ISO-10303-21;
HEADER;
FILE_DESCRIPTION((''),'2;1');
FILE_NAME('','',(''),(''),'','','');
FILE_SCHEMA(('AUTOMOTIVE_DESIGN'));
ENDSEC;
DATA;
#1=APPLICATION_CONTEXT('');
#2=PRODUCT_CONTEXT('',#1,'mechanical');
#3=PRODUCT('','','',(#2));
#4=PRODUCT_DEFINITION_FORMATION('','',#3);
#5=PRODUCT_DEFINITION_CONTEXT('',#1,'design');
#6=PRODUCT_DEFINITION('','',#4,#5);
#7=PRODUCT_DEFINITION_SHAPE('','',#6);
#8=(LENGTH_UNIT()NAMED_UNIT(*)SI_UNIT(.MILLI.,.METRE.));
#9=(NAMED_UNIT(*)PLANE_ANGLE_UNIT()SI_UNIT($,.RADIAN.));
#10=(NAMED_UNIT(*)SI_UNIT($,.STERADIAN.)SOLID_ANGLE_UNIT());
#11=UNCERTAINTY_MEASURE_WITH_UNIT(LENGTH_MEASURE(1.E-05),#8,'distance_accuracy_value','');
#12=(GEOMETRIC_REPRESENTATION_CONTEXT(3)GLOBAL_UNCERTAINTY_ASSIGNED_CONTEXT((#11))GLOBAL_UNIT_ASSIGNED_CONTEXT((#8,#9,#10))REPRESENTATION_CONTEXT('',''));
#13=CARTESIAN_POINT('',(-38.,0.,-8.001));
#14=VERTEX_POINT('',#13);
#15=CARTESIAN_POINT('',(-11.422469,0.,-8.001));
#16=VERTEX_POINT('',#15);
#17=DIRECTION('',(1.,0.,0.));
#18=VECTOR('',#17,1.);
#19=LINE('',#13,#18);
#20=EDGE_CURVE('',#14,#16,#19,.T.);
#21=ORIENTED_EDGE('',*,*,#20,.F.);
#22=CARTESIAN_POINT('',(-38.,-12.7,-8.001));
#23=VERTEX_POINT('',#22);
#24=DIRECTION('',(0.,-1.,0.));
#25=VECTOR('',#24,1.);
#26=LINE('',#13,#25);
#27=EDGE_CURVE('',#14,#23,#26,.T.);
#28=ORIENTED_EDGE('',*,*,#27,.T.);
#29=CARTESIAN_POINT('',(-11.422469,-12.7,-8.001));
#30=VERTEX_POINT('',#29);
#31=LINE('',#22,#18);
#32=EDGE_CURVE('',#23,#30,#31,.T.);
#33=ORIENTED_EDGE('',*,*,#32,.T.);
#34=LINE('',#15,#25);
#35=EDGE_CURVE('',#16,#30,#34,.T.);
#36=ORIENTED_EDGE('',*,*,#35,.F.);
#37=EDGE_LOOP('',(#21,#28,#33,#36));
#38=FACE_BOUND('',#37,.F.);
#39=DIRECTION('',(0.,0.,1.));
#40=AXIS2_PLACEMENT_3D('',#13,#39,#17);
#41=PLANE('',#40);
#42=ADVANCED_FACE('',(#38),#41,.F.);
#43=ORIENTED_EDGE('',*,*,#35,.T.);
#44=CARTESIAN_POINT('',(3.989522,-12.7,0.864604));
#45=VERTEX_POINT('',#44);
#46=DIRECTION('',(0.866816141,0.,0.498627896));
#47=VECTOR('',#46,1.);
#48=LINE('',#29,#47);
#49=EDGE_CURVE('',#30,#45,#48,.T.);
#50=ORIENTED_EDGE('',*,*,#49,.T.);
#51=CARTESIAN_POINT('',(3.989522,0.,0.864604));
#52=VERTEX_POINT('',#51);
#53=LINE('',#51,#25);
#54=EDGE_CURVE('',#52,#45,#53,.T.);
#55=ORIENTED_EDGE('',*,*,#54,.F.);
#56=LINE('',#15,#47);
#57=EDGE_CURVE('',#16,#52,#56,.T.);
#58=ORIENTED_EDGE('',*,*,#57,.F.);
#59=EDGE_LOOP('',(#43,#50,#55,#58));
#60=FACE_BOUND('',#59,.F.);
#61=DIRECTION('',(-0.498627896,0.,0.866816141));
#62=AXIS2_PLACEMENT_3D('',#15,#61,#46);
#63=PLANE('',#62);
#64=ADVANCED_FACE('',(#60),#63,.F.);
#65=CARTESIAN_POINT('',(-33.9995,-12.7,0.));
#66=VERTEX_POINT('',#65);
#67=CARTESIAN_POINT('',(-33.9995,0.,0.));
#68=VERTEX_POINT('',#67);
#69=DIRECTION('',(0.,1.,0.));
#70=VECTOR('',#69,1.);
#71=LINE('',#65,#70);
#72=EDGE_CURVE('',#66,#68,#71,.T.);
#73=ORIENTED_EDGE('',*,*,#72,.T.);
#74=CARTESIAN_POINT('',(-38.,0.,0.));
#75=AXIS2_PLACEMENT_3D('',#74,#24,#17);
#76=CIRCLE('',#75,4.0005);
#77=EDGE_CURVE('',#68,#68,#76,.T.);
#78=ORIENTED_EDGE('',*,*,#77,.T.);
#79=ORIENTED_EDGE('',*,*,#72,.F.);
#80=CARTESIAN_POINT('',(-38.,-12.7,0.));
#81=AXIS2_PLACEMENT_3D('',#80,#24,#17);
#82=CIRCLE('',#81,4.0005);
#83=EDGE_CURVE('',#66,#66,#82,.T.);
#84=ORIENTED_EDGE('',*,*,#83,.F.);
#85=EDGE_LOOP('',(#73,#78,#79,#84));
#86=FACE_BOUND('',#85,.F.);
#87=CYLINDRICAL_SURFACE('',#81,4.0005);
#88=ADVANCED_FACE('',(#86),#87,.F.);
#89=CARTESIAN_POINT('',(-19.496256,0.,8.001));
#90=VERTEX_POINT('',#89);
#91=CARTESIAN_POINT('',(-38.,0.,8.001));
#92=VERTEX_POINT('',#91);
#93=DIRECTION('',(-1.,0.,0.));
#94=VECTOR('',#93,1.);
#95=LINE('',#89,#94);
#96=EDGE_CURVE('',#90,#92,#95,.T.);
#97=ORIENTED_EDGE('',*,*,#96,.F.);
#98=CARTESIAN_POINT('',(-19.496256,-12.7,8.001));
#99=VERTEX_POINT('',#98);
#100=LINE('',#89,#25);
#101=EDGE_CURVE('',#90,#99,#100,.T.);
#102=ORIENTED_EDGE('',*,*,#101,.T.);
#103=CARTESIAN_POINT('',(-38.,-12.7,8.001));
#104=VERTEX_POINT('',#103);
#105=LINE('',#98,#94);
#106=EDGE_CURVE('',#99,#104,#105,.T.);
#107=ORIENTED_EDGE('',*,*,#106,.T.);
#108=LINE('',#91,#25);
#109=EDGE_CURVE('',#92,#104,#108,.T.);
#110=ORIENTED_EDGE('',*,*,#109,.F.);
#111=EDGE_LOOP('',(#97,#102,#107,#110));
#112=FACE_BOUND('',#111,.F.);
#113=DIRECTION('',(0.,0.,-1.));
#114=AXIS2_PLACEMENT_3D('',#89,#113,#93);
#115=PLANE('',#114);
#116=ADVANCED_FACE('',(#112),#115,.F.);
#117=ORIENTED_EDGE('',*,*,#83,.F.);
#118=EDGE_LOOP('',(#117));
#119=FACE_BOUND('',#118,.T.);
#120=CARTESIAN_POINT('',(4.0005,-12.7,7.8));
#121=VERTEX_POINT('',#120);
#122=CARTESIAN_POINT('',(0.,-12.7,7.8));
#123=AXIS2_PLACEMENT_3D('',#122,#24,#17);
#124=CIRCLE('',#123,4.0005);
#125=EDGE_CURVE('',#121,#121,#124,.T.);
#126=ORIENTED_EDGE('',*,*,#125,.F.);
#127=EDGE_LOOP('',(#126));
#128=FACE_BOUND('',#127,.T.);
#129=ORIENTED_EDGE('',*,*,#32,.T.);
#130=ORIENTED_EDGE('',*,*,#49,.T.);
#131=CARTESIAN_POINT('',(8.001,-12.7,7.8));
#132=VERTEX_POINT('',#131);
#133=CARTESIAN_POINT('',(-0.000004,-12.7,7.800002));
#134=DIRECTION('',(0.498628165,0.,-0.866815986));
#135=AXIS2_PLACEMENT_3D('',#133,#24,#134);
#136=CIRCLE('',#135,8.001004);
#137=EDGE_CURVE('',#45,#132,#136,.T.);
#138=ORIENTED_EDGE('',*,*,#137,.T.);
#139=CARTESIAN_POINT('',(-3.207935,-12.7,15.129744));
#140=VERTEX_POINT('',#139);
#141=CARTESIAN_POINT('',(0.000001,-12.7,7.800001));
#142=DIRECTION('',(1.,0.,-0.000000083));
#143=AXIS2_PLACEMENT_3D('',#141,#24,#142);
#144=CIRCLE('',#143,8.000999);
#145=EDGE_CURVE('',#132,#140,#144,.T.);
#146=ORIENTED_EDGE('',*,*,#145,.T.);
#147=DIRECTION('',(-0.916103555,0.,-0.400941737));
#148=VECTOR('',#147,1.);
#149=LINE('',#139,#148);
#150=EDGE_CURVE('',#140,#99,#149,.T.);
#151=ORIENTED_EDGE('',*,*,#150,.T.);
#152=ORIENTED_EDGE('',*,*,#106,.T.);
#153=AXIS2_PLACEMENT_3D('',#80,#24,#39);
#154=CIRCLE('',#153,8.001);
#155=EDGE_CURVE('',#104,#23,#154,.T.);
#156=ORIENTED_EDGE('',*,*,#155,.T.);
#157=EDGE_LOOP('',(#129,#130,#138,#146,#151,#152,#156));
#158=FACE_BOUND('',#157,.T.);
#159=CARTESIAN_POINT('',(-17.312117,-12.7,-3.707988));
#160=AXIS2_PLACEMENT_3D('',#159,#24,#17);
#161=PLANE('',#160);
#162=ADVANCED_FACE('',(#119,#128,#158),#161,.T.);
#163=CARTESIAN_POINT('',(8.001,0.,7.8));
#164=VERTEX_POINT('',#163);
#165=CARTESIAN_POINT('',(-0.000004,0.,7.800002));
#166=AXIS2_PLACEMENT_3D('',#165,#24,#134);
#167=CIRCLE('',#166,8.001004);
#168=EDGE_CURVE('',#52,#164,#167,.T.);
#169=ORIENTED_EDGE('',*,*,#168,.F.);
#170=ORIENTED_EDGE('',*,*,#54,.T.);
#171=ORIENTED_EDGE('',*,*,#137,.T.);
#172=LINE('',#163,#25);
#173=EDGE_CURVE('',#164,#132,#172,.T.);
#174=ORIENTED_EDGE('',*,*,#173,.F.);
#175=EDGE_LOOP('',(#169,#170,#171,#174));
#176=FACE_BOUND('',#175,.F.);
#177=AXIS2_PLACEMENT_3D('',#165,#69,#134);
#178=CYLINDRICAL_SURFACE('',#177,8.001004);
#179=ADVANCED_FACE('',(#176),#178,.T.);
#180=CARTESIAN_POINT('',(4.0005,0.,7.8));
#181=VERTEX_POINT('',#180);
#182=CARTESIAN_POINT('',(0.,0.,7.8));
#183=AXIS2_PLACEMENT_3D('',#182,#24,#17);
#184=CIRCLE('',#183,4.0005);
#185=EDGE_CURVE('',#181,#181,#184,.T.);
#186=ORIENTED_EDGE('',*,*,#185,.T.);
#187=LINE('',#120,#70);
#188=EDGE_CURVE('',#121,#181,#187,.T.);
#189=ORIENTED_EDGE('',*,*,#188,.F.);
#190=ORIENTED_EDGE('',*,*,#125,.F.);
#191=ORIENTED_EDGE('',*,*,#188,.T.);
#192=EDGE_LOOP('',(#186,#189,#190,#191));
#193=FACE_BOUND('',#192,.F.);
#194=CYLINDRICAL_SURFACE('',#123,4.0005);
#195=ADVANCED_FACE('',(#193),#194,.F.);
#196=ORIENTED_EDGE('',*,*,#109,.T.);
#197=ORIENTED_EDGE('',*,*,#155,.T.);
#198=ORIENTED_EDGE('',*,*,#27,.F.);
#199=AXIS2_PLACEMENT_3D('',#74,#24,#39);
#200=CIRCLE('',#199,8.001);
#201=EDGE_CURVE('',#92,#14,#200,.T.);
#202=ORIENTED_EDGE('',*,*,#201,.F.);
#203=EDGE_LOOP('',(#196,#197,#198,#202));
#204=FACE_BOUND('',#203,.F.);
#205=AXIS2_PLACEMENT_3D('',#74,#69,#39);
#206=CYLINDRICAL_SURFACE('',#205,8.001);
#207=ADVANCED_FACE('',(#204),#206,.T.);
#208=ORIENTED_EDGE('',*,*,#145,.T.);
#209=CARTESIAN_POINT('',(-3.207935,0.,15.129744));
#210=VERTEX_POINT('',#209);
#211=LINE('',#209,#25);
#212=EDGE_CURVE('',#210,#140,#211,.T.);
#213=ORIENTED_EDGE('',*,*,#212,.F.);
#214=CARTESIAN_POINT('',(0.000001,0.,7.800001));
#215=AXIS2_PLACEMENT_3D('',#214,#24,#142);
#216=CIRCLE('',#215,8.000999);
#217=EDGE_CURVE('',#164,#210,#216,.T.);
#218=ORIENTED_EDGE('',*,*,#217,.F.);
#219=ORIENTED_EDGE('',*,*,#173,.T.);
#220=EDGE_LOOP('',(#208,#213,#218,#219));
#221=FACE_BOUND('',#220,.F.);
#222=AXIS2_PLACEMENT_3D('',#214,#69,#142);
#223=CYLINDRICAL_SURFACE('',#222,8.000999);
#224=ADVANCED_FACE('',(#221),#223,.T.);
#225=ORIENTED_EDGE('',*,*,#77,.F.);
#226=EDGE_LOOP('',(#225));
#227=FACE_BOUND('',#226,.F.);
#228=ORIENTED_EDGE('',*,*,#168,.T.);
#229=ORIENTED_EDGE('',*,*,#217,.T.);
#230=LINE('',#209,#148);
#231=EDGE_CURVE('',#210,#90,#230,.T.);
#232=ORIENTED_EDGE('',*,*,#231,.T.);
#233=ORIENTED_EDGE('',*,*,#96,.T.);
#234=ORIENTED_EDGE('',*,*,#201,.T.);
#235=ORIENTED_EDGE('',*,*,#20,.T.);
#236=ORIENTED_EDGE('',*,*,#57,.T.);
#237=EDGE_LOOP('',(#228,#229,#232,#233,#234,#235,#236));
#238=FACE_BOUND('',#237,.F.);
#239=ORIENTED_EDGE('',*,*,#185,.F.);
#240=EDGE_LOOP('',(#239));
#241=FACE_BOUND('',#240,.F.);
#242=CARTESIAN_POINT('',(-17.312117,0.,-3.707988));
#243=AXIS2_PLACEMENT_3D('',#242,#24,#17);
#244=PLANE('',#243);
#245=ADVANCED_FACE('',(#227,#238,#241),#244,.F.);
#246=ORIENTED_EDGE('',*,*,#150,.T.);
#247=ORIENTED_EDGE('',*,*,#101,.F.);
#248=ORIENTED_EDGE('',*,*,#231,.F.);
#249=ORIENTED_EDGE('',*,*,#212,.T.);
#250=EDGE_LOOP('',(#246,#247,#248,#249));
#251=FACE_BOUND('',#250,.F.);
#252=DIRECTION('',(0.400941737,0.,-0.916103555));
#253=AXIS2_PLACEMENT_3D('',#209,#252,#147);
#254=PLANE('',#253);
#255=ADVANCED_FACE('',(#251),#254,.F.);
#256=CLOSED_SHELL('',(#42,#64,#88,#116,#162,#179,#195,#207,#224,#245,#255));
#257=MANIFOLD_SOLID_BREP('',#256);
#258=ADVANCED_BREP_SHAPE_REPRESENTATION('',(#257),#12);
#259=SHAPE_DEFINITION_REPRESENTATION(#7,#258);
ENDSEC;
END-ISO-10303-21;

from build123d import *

# Parameters (mm, degrees)
F1_DEPTH = 12.7
F2_R     = 4.0005
F3_DEPTH = 12.7


with BuildPart() as f1:
    # F0 (on Front) → F1 (new body)
    with BuildSketch(Plane.XZ):
        with BuildLine():
            ThreePointArc((3.989522, 0.864604), (1.185338, -0.11271), (-1.782134, 0))
            Line((-1.782134, 0), (-29.999, 0))
            ThreePointArc((-29.999, 0), (-32.342439, -5.657561), (-38, -8.001))
            Line((-38, -8.001), (-11.422469, -8.001))
            Line((-11.422469, -8.001), (3.989522, 0.864604))
        make_face()
        with BuildLine():
            Line((-29.999, 0), (-1.782134, 0))
            ThreePointArc((-1.782134, 0), (-7.965707, 7.049325), (-3.207935, 15.129744))
            Line((-3.207935, 15.129744), (-19.496256, 8.001))
            Line((-19.496256, 8.001), (-38, 8.001))
            ThreePointArc((-38, 8.001), (-32.342439, 5.657561), (-29.999, 0))
        make_face()
        with BuildLine():
            ThreePointArc((-3.207935, 15.129744), (-7.965707, 7.049325), (-1.782134, 0))
            ThreePointArc((-1.782134, 0), (1.185338, -0.11271), (3.989522, 0.864604))
            ThreePointArc((3.989522, 0.864604), (6.925899, 3.794015), (8.001, 7.8))
            ThreePointArc((8.001, 7.8), (4.378888, 14.496368), (-3.207935, 15.129744))
        make_face()
        with BuildLine():
            ThreePointArc((-38, -8.001), (-32.342439, -5.657561), (-29.999, 0))
            ThreePointArc((-29.999, 0), (-32.342439, 5.657561), (-38, 8.001))
            ThreePointArc((-38, 8.001), (-46.001, 0), (-38, -8.001))
        make_face()
    extrude(amount=F1_DEPTH)

    # F2 (on face) → F3 (cut, through all)
    with BuildSketch(Plane.XZ.offset(12.7)):
        with Locations((-38, 0)):
            Circle(F2_R)
        with Locations((0, 7.8)):
            Circle(F2_R)
    extrude(amount=-F3_DEPTH, mode=Mode.SUBTRACT)


solid = f1.part
